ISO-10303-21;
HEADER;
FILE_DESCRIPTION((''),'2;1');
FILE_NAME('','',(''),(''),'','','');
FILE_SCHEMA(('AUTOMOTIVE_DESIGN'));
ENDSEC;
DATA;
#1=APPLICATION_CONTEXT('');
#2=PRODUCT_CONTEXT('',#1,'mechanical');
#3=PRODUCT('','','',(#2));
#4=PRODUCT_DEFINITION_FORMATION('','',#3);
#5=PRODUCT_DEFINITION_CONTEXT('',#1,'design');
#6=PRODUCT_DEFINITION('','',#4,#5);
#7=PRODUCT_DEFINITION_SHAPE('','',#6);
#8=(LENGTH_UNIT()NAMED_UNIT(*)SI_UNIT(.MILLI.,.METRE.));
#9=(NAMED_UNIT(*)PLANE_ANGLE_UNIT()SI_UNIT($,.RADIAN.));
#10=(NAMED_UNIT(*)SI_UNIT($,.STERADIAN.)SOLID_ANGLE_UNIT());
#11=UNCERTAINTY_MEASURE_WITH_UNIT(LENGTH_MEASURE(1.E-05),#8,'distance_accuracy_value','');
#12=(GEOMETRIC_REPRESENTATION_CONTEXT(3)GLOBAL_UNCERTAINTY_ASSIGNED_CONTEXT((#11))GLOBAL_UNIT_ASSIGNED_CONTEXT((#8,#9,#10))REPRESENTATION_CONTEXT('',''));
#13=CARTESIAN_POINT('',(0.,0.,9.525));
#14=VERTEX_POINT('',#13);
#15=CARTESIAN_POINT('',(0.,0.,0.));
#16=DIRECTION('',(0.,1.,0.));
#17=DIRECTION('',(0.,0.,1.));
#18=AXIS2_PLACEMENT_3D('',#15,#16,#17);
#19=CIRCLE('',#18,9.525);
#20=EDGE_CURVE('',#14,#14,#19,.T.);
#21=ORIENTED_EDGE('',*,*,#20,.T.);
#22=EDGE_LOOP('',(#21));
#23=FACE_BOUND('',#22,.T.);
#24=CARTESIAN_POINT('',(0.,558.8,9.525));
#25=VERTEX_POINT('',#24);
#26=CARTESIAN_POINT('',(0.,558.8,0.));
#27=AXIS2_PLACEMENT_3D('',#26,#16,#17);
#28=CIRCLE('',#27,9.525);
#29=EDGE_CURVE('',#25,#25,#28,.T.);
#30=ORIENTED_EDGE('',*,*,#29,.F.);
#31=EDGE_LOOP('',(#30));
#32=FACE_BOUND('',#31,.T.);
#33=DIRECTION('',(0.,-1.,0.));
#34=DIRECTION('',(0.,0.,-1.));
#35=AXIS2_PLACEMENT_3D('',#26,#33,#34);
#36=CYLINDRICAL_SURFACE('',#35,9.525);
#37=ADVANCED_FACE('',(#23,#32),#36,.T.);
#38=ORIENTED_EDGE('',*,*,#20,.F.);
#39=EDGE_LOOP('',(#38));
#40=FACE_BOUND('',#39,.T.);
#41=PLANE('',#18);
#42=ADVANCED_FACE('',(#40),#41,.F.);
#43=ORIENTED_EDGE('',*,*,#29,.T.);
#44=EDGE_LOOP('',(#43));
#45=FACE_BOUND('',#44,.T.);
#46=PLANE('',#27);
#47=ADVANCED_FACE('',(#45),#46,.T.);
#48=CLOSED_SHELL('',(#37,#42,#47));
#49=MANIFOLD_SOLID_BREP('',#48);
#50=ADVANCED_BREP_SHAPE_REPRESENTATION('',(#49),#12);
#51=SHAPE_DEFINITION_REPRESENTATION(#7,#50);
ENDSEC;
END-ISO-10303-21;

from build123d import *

# Parameters (mm, degrees)
SKETCH1_R           = 9.525
BOSS_EXTRUDE1_DEPTH = 558.8


with BuildPart() as part:
    # Sketch1 → Boss-Extrude1 (new body)
    with BuildSketch(Plane(origin=(0, 0, 0), x_dir=(1, 0, 0), z_dir=(0, 1, 0))):
        Circle(SKETCH1_R)
    extrude(amount=BOSS_EXTRUDE1_DEPTH)


solid = part.part
